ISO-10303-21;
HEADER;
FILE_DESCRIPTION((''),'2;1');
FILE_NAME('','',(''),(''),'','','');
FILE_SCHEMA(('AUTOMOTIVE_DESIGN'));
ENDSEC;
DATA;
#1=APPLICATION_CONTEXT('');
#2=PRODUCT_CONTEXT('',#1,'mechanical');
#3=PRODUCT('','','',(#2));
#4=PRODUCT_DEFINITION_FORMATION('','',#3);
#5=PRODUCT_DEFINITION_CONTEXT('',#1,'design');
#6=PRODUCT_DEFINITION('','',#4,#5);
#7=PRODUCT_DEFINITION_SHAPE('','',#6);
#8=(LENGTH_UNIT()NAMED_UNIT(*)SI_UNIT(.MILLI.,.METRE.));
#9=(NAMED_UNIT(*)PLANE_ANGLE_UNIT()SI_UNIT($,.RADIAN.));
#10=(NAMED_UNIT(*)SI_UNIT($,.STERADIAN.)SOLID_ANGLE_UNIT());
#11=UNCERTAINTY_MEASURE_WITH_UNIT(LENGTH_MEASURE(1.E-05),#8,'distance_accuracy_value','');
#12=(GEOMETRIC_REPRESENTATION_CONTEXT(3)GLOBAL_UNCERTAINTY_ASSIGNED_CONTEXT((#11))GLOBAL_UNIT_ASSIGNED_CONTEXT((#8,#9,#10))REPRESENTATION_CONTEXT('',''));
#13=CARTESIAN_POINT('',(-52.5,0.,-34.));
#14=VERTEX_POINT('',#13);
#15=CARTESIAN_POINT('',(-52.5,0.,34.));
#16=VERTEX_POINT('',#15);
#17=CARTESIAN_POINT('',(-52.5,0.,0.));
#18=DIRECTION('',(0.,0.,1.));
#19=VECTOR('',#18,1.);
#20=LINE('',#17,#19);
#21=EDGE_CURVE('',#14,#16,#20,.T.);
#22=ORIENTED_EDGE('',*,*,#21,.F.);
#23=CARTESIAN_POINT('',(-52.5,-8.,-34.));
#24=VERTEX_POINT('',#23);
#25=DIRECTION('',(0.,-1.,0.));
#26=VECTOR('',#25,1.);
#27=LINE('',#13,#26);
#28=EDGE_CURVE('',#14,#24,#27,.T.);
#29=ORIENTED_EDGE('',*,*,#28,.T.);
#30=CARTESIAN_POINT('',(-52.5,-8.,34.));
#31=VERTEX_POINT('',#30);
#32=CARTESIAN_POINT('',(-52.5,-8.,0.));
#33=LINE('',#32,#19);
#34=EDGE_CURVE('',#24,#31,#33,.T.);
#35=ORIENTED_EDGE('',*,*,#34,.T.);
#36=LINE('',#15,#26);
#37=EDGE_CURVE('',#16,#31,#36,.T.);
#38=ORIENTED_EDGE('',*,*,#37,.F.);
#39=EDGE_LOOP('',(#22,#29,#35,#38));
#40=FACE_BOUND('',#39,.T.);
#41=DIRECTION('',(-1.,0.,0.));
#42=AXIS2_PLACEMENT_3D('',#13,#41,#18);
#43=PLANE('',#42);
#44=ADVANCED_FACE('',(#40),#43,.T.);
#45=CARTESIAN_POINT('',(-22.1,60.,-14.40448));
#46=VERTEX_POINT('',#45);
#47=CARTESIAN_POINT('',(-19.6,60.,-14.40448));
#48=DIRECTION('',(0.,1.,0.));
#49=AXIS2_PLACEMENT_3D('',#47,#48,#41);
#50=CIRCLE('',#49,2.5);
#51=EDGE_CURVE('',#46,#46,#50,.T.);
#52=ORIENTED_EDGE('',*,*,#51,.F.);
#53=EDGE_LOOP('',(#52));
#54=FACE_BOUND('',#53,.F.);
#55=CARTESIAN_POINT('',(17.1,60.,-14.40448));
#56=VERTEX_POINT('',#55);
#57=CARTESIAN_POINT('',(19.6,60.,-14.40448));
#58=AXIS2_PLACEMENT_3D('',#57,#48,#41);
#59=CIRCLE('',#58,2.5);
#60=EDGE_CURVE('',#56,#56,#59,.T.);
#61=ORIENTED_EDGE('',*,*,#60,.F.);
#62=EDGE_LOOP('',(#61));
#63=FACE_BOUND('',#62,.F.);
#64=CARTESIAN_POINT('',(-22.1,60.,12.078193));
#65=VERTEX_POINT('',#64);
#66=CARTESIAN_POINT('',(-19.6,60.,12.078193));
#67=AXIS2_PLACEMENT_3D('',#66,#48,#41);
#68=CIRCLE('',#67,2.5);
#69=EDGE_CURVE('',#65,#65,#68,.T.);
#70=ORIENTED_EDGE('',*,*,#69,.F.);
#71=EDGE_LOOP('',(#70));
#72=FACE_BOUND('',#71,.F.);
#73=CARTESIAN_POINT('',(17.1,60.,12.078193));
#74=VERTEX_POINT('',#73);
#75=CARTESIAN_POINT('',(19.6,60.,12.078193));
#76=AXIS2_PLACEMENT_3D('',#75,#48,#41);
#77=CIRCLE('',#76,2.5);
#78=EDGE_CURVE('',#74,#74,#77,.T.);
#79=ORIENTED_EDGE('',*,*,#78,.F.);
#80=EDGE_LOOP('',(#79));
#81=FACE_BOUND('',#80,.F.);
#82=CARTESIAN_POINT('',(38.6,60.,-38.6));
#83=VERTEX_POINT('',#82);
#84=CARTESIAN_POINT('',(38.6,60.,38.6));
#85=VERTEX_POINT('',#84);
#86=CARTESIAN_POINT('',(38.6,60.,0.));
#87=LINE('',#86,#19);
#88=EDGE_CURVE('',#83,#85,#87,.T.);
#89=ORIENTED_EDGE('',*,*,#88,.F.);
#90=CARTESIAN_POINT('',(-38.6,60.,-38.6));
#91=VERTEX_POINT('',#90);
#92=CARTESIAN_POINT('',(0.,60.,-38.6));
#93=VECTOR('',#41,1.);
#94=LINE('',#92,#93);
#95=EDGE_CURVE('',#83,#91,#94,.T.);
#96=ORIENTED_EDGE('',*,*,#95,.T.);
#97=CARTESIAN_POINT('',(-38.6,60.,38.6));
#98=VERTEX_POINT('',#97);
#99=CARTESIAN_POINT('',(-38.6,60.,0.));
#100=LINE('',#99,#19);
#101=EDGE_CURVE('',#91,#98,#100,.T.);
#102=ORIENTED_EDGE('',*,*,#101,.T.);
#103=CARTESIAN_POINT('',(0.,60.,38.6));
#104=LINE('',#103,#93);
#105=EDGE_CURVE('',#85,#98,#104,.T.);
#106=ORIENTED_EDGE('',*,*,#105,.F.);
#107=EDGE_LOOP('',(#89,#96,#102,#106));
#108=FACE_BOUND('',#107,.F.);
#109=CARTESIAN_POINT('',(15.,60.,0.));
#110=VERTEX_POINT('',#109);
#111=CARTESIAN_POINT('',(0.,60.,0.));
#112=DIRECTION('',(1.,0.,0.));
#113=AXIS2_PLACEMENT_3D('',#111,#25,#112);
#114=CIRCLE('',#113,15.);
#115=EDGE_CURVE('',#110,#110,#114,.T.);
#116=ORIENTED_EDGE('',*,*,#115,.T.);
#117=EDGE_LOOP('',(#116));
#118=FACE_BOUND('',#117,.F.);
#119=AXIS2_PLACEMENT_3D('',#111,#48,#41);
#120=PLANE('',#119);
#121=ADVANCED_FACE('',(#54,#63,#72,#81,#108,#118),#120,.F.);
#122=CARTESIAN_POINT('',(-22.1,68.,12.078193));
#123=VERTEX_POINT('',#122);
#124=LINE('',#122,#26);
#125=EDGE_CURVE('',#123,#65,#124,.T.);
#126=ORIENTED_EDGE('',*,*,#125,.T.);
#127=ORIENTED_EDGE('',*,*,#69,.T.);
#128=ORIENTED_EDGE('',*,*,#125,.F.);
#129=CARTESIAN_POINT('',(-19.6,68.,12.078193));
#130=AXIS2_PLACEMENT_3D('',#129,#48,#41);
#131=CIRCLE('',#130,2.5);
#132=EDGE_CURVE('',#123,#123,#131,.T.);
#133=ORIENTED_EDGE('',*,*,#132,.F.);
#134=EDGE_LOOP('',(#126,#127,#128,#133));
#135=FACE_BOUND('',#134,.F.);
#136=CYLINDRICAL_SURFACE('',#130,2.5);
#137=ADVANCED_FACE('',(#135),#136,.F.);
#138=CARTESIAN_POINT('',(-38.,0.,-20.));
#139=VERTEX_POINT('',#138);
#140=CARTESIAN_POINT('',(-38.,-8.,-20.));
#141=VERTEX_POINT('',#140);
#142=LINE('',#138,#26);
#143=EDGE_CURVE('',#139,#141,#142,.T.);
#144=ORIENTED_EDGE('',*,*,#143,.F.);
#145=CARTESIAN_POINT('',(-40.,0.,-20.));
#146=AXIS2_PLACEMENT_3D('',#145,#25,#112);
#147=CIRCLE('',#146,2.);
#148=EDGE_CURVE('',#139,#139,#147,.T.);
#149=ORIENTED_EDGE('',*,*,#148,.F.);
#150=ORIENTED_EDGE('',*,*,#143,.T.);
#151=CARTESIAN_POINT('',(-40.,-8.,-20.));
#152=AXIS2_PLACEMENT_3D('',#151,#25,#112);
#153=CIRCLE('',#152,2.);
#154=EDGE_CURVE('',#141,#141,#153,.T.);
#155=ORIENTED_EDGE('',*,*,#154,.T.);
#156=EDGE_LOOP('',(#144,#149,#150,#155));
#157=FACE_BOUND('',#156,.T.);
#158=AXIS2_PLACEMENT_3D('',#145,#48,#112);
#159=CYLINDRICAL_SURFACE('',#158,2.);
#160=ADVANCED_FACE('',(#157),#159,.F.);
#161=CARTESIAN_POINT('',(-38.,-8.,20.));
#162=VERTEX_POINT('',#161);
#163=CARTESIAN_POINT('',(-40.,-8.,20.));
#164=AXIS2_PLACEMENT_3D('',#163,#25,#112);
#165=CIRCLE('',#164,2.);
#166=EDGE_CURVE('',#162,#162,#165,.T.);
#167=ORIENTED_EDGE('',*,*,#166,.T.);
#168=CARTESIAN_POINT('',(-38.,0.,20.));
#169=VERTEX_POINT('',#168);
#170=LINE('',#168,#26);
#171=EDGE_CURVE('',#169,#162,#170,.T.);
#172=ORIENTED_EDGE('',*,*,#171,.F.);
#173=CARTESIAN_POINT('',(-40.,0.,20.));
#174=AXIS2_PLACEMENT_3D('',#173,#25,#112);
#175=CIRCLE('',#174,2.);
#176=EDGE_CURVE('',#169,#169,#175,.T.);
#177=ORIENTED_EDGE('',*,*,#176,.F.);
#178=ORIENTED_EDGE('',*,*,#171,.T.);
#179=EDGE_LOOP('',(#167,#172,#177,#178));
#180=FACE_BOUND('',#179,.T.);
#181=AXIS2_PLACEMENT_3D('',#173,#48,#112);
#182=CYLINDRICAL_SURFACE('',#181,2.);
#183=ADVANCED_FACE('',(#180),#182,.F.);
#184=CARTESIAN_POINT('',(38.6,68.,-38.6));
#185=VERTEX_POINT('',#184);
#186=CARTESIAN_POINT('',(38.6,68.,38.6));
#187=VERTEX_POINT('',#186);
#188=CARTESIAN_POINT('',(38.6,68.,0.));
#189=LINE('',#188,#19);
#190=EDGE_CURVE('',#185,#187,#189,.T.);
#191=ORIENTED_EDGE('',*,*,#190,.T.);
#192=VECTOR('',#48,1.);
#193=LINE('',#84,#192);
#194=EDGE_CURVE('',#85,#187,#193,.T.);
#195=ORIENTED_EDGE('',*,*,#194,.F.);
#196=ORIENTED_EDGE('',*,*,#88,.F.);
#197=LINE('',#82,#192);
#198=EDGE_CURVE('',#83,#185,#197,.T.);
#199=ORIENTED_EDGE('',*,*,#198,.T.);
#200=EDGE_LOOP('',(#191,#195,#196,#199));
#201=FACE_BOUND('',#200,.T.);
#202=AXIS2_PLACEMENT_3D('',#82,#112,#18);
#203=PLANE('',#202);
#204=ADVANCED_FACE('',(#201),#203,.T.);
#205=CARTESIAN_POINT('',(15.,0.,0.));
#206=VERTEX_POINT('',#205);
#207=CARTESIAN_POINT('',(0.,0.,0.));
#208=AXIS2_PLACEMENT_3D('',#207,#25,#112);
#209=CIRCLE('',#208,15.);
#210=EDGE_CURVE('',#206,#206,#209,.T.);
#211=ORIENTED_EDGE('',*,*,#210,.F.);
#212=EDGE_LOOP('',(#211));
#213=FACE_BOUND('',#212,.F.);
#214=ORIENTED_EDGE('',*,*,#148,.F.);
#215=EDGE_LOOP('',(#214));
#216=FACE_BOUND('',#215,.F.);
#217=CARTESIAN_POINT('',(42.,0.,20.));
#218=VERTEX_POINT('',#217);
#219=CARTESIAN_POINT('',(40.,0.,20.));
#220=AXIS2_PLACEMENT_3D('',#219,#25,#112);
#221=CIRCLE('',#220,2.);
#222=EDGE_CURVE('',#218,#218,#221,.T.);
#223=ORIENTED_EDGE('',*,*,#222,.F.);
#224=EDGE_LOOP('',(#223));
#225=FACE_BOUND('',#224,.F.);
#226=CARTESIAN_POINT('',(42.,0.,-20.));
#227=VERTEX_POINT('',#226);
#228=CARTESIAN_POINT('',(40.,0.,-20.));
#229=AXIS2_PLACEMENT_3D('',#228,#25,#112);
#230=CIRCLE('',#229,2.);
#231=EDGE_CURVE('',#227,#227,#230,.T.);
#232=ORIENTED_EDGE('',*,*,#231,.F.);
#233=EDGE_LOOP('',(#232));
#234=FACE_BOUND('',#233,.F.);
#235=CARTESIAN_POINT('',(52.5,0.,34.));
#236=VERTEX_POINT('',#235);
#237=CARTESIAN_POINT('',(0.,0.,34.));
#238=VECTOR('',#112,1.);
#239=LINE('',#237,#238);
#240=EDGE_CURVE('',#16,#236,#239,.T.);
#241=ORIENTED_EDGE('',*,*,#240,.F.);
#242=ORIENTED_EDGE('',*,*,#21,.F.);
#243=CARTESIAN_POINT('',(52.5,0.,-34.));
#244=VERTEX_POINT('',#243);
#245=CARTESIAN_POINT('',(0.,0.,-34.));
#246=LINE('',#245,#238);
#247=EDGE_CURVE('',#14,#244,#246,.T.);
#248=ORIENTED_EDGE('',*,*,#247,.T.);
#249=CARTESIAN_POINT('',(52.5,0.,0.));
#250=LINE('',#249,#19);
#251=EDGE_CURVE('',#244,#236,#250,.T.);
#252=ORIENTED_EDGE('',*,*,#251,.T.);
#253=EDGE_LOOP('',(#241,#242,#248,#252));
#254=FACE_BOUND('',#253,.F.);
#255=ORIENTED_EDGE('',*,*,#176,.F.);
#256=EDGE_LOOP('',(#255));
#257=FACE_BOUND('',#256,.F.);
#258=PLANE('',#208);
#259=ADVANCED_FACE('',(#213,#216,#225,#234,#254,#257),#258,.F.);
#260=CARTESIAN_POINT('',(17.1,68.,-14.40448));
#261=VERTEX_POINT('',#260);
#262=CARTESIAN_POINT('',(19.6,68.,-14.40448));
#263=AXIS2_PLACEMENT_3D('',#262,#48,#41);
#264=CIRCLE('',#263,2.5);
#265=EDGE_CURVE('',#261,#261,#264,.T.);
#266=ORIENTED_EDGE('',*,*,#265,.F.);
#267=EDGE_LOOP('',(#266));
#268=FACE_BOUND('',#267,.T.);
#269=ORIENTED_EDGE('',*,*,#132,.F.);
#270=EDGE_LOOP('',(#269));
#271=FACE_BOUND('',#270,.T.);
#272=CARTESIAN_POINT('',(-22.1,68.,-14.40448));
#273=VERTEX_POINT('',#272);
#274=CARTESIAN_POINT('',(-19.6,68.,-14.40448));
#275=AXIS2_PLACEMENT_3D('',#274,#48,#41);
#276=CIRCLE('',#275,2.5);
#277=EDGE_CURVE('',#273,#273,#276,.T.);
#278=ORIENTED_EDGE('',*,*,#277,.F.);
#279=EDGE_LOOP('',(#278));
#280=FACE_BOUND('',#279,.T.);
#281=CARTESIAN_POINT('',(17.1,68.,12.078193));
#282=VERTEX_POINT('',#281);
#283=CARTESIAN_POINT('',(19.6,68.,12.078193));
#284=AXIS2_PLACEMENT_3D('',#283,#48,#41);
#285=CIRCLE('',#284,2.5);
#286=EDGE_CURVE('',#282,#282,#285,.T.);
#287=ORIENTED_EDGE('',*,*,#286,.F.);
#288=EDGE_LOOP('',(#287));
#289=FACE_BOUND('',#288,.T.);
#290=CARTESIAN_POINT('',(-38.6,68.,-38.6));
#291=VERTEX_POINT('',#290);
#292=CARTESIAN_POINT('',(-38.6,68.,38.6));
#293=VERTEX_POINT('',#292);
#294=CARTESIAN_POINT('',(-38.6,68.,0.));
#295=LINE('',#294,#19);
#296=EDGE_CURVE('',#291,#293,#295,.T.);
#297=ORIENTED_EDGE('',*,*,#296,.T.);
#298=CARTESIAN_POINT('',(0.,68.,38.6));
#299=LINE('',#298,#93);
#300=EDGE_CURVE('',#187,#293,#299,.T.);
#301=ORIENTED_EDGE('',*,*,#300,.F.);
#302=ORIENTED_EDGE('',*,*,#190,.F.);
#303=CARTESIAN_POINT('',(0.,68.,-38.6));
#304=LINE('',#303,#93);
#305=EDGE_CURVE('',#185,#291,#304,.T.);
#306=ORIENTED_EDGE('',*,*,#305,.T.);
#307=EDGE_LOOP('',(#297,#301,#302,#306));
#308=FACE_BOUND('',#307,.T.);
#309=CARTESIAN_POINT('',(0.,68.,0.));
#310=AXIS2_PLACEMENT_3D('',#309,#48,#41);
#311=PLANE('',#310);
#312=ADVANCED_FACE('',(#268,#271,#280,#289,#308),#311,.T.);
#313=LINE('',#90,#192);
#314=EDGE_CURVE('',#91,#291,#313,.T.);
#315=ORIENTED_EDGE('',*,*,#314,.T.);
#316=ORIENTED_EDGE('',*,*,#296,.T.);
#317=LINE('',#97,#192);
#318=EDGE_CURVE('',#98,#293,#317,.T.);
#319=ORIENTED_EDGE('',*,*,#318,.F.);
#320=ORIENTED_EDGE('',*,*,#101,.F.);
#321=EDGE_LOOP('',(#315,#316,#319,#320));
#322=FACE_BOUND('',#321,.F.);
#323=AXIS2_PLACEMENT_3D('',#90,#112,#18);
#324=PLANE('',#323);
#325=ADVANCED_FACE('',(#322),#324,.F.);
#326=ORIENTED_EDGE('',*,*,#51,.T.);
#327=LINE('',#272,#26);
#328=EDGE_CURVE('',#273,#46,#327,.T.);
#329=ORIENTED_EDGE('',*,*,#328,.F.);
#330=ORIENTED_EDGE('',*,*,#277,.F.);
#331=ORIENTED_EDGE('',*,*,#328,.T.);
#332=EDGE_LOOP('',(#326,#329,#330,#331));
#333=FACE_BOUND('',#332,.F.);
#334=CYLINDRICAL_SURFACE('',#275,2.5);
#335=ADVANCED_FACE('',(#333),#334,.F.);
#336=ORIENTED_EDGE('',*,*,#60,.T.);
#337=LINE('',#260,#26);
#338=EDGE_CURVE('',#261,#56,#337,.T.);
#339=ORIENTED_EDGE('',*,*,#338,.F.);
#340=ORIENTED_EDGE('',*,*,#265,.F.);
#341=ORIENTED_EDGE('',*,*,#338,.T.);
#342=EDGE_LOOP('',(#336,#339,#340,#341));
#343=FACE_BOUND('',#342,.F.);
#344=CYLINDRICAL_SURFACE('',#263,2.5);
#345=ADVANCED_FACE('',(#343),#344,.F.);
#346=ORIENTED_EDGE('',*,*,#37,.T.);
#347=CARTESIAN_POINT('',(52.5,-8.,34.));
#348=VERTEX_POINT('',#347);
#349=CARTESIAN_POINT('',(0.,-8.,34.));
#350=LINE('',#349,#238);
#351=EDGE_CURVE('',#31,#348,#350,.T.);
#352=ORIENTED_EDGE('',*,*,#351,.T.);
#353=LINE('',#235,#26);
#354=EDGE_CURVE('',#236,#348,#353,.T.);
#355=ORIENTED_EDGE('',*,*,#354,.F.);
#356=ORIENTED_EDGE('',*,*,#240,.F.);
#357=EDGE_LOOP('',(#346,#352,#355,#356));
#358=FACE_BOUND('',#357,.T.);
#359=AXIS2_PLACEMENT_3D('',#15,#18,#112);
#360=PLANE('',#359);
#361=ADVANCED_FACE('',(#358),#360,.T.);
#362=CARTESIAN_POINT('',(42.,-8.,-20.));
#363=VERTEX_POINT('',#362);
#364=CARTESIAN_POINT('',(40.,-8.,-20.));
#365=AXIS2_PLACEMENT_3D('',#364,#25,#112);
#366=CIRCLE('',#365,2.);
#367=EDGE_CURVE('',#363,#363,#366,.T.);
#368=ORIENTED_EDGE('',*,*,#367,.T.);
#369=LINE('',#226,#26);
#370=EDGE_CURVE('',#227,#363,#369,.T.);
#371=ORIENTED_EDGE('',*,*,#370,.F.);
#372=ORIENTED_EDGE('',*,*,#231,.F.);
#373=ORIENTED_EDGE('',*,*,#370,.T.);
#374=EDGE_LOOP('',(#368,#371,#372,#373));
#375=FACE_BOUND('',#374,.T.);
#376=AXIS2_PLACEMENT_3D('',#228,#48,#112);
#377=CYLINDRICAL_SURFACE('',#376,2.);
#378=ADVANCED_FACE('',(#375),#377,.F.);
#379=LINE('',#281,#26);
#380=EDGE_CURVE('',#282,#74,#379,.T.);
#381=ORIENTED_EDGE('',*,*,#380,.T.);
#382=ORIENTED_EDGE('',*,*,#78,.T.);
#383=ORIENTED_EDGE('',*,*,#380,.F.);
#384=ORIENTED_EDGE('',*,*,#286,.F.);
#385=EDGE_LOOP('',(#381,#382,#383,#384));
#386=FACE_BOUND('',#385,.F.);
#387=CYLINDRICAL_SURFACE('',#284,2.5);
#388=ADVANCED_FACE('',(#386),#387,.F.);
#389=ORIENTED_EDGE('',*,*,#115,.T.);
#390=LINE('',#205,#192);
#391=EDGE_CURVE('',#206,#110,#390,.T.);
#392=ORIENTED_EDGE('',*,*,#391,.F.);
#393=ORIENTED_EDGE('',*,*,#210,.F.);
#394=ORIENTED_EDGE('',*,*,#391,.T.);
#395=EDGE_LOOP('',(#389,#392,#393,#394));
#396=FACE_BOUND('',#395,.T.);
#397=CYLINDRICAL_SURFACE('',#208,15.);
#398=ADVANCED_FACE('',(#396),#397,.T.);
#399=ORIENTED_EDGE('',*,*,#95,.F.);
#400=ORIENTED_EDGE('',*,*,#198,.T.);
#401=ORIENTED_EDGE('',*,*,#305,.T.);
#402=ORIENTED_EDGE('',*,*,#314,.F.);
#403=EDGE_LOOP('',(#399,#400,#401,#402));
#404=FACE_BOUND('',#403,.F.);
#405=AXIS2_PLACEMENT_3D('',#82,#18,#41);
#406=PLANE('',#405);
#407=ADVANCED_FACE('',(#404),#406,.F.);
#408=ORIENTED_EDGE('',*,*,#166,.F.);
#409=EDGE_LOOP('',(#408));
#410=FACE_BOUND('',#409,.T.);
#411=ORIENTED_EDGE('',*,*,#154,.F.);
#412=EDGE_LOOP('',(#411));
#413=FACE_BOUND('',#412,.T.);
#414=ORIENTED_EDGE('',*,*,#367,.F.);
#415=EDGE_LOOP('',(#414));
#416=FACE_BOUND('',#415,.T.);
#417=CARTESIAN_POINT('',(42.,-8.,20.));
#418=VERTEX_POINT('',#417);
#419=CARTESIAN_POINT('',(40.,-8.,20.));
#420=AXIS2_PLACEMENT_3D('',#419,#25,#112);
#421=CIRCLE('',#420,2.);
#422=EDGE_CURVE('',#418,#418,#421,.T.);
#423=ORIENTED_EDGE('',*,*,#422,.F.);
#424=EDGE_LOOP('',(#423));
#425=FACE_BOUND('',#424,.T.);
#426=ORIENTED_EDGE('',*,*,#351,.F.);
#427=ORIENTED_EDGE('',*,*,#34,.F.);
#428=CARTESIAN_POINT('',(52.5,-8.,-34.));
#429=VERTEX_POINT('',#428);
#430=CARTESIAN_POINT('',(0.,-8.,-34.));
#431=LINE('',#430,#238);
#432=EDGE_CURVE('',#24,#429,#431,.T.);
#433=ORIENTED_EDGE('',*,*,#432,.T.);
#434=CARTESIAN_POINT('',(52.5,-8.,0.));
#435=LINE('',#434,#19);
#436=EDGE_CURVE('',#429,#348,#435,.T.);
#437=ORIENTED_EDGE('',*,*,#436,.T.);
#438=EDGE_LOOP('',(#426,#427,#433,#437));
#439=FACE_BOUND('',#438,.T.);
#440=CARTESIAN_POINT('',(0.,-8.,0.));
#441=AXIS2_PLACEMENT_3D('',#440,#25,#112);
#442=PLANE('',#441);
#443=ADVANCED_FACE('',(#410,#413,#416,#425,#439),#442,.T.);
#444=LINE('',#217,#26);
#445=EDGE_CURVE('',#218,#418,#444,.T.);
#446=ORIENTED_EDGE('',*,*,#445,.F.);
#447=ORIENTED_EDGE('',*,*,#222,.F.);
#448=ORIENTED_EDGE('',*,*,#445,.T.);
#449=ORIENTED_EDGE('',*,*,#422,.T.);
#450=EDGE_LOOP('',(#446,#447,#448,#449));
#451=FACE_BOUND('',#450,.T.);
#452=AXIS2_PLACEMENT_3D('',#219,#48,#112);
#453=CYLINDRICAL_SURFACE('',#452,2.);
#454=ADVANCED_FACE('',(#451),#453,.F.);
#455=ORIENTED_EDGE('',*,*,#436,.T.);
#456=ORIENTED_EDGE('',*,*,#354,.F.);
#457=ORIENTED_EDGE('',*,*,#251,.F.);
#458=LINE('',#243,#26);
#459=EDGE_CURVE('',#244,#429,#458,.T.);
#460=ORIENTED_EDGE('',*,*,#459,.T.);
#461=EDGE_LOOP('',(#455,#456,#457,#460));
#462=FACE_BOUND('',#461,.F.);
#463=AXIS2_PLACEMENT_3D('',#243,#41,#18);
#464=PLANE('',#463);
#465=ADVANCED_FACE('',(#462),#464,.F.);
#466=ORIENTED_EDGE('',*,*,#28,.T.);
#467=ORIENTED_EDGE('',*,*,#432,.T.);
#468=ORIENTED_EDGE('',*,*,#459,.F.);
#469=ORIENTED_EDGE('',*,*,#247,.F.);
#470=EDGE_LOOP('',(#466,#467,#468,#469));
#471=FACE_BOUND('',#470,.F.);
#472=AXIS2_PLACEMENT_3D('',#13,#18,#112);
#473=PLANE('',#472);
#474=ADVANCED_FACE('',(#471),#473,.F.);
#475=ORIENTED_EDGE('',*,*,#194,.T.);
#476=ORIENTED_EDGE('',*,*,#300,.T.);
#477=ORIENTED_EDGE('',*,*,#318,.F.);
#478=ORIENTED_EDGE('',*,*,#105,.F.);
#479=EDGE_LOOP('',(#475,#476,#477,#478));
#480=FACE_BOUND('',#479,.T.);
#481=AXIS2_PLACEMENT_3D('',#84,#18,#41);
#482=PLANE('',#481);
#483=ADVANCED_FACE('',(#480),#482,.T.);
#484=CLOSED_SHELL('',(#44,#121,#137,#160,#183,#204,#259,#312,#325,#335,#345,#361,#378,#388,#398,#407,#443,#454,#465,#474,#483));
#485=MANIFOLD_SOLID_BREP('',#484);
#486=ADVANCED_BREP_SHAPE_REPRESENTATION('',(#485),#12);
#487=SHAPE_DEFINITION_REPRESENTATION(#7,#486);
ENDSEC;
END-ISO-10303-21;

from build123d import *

# Parameters (mm, degrees)
F0_W     = 105
F0_H     = 68
F0_R     = 2
F1_DEPTH = 8
F2_R     = 15
F3_DEPTH = 60
F4_W     = 77.2
F4_H     = 77.2
F5_DEPTH = 8
F6_R     = 2.5
F7_DEPTH = 44.4


with BuildPart() as f1:
    # F0 (on Front) → F1 (new body)
    with BuildSketch(Plane.XZ):
        Rectangle(F0_W, F0_H)
        with Locations((-40, -20)):
            Circle(F0_R, mode=Mode.SUBTRACT)
        with Locations((40, -20)):
            Circle(F0_R, mode=Mode.SUBTRACT)
        with Locations((-40, 20)):
            Circle(F0_R, mode=Mode.SUBTRACT)
        with Locations((40, 20)):
            Circle(F0_R, mode=Mode.SUBTRACT)
    extrude(amount=F1_DEPTH)

    # F2 (on Front) → F3 (join)
    with BuildSketch(Plane.XZ):
        Circle(F2_R)
    extrude(amount=-F3_DEPTH)

    # F4 (on face) → F5 (join)
    with BuildSketch(Plane(origin=(0, 60, 0), x_dir=(-1, 0, 0), z_dir=(0, 1, 0))):
        Rectangle(F4_W, F4_H)
    extrude(amount=F5_DEPTH)

    # F6 (on face) → F7 (cut)
    with BuildSketch(Plane(origin=(0, 68, 0), x_dir=(-1, 0, 0), z_dir=(0, 1, 0))):
        with Locations((-19.6, 12.078193)):
            Circle(F6_R)
        with Locations((-19.6, -14.40448)):
            Circle(F6_R)
        with Locations((19.6, -14.40448)):
            Circle(F6_R)
        with Locations((19.6, 12.078193)):
            Circle(F6_R)
    extrude(amount=-F7_DEPTH, mode=Mode.SUBTRACT)


solid = f1.part
